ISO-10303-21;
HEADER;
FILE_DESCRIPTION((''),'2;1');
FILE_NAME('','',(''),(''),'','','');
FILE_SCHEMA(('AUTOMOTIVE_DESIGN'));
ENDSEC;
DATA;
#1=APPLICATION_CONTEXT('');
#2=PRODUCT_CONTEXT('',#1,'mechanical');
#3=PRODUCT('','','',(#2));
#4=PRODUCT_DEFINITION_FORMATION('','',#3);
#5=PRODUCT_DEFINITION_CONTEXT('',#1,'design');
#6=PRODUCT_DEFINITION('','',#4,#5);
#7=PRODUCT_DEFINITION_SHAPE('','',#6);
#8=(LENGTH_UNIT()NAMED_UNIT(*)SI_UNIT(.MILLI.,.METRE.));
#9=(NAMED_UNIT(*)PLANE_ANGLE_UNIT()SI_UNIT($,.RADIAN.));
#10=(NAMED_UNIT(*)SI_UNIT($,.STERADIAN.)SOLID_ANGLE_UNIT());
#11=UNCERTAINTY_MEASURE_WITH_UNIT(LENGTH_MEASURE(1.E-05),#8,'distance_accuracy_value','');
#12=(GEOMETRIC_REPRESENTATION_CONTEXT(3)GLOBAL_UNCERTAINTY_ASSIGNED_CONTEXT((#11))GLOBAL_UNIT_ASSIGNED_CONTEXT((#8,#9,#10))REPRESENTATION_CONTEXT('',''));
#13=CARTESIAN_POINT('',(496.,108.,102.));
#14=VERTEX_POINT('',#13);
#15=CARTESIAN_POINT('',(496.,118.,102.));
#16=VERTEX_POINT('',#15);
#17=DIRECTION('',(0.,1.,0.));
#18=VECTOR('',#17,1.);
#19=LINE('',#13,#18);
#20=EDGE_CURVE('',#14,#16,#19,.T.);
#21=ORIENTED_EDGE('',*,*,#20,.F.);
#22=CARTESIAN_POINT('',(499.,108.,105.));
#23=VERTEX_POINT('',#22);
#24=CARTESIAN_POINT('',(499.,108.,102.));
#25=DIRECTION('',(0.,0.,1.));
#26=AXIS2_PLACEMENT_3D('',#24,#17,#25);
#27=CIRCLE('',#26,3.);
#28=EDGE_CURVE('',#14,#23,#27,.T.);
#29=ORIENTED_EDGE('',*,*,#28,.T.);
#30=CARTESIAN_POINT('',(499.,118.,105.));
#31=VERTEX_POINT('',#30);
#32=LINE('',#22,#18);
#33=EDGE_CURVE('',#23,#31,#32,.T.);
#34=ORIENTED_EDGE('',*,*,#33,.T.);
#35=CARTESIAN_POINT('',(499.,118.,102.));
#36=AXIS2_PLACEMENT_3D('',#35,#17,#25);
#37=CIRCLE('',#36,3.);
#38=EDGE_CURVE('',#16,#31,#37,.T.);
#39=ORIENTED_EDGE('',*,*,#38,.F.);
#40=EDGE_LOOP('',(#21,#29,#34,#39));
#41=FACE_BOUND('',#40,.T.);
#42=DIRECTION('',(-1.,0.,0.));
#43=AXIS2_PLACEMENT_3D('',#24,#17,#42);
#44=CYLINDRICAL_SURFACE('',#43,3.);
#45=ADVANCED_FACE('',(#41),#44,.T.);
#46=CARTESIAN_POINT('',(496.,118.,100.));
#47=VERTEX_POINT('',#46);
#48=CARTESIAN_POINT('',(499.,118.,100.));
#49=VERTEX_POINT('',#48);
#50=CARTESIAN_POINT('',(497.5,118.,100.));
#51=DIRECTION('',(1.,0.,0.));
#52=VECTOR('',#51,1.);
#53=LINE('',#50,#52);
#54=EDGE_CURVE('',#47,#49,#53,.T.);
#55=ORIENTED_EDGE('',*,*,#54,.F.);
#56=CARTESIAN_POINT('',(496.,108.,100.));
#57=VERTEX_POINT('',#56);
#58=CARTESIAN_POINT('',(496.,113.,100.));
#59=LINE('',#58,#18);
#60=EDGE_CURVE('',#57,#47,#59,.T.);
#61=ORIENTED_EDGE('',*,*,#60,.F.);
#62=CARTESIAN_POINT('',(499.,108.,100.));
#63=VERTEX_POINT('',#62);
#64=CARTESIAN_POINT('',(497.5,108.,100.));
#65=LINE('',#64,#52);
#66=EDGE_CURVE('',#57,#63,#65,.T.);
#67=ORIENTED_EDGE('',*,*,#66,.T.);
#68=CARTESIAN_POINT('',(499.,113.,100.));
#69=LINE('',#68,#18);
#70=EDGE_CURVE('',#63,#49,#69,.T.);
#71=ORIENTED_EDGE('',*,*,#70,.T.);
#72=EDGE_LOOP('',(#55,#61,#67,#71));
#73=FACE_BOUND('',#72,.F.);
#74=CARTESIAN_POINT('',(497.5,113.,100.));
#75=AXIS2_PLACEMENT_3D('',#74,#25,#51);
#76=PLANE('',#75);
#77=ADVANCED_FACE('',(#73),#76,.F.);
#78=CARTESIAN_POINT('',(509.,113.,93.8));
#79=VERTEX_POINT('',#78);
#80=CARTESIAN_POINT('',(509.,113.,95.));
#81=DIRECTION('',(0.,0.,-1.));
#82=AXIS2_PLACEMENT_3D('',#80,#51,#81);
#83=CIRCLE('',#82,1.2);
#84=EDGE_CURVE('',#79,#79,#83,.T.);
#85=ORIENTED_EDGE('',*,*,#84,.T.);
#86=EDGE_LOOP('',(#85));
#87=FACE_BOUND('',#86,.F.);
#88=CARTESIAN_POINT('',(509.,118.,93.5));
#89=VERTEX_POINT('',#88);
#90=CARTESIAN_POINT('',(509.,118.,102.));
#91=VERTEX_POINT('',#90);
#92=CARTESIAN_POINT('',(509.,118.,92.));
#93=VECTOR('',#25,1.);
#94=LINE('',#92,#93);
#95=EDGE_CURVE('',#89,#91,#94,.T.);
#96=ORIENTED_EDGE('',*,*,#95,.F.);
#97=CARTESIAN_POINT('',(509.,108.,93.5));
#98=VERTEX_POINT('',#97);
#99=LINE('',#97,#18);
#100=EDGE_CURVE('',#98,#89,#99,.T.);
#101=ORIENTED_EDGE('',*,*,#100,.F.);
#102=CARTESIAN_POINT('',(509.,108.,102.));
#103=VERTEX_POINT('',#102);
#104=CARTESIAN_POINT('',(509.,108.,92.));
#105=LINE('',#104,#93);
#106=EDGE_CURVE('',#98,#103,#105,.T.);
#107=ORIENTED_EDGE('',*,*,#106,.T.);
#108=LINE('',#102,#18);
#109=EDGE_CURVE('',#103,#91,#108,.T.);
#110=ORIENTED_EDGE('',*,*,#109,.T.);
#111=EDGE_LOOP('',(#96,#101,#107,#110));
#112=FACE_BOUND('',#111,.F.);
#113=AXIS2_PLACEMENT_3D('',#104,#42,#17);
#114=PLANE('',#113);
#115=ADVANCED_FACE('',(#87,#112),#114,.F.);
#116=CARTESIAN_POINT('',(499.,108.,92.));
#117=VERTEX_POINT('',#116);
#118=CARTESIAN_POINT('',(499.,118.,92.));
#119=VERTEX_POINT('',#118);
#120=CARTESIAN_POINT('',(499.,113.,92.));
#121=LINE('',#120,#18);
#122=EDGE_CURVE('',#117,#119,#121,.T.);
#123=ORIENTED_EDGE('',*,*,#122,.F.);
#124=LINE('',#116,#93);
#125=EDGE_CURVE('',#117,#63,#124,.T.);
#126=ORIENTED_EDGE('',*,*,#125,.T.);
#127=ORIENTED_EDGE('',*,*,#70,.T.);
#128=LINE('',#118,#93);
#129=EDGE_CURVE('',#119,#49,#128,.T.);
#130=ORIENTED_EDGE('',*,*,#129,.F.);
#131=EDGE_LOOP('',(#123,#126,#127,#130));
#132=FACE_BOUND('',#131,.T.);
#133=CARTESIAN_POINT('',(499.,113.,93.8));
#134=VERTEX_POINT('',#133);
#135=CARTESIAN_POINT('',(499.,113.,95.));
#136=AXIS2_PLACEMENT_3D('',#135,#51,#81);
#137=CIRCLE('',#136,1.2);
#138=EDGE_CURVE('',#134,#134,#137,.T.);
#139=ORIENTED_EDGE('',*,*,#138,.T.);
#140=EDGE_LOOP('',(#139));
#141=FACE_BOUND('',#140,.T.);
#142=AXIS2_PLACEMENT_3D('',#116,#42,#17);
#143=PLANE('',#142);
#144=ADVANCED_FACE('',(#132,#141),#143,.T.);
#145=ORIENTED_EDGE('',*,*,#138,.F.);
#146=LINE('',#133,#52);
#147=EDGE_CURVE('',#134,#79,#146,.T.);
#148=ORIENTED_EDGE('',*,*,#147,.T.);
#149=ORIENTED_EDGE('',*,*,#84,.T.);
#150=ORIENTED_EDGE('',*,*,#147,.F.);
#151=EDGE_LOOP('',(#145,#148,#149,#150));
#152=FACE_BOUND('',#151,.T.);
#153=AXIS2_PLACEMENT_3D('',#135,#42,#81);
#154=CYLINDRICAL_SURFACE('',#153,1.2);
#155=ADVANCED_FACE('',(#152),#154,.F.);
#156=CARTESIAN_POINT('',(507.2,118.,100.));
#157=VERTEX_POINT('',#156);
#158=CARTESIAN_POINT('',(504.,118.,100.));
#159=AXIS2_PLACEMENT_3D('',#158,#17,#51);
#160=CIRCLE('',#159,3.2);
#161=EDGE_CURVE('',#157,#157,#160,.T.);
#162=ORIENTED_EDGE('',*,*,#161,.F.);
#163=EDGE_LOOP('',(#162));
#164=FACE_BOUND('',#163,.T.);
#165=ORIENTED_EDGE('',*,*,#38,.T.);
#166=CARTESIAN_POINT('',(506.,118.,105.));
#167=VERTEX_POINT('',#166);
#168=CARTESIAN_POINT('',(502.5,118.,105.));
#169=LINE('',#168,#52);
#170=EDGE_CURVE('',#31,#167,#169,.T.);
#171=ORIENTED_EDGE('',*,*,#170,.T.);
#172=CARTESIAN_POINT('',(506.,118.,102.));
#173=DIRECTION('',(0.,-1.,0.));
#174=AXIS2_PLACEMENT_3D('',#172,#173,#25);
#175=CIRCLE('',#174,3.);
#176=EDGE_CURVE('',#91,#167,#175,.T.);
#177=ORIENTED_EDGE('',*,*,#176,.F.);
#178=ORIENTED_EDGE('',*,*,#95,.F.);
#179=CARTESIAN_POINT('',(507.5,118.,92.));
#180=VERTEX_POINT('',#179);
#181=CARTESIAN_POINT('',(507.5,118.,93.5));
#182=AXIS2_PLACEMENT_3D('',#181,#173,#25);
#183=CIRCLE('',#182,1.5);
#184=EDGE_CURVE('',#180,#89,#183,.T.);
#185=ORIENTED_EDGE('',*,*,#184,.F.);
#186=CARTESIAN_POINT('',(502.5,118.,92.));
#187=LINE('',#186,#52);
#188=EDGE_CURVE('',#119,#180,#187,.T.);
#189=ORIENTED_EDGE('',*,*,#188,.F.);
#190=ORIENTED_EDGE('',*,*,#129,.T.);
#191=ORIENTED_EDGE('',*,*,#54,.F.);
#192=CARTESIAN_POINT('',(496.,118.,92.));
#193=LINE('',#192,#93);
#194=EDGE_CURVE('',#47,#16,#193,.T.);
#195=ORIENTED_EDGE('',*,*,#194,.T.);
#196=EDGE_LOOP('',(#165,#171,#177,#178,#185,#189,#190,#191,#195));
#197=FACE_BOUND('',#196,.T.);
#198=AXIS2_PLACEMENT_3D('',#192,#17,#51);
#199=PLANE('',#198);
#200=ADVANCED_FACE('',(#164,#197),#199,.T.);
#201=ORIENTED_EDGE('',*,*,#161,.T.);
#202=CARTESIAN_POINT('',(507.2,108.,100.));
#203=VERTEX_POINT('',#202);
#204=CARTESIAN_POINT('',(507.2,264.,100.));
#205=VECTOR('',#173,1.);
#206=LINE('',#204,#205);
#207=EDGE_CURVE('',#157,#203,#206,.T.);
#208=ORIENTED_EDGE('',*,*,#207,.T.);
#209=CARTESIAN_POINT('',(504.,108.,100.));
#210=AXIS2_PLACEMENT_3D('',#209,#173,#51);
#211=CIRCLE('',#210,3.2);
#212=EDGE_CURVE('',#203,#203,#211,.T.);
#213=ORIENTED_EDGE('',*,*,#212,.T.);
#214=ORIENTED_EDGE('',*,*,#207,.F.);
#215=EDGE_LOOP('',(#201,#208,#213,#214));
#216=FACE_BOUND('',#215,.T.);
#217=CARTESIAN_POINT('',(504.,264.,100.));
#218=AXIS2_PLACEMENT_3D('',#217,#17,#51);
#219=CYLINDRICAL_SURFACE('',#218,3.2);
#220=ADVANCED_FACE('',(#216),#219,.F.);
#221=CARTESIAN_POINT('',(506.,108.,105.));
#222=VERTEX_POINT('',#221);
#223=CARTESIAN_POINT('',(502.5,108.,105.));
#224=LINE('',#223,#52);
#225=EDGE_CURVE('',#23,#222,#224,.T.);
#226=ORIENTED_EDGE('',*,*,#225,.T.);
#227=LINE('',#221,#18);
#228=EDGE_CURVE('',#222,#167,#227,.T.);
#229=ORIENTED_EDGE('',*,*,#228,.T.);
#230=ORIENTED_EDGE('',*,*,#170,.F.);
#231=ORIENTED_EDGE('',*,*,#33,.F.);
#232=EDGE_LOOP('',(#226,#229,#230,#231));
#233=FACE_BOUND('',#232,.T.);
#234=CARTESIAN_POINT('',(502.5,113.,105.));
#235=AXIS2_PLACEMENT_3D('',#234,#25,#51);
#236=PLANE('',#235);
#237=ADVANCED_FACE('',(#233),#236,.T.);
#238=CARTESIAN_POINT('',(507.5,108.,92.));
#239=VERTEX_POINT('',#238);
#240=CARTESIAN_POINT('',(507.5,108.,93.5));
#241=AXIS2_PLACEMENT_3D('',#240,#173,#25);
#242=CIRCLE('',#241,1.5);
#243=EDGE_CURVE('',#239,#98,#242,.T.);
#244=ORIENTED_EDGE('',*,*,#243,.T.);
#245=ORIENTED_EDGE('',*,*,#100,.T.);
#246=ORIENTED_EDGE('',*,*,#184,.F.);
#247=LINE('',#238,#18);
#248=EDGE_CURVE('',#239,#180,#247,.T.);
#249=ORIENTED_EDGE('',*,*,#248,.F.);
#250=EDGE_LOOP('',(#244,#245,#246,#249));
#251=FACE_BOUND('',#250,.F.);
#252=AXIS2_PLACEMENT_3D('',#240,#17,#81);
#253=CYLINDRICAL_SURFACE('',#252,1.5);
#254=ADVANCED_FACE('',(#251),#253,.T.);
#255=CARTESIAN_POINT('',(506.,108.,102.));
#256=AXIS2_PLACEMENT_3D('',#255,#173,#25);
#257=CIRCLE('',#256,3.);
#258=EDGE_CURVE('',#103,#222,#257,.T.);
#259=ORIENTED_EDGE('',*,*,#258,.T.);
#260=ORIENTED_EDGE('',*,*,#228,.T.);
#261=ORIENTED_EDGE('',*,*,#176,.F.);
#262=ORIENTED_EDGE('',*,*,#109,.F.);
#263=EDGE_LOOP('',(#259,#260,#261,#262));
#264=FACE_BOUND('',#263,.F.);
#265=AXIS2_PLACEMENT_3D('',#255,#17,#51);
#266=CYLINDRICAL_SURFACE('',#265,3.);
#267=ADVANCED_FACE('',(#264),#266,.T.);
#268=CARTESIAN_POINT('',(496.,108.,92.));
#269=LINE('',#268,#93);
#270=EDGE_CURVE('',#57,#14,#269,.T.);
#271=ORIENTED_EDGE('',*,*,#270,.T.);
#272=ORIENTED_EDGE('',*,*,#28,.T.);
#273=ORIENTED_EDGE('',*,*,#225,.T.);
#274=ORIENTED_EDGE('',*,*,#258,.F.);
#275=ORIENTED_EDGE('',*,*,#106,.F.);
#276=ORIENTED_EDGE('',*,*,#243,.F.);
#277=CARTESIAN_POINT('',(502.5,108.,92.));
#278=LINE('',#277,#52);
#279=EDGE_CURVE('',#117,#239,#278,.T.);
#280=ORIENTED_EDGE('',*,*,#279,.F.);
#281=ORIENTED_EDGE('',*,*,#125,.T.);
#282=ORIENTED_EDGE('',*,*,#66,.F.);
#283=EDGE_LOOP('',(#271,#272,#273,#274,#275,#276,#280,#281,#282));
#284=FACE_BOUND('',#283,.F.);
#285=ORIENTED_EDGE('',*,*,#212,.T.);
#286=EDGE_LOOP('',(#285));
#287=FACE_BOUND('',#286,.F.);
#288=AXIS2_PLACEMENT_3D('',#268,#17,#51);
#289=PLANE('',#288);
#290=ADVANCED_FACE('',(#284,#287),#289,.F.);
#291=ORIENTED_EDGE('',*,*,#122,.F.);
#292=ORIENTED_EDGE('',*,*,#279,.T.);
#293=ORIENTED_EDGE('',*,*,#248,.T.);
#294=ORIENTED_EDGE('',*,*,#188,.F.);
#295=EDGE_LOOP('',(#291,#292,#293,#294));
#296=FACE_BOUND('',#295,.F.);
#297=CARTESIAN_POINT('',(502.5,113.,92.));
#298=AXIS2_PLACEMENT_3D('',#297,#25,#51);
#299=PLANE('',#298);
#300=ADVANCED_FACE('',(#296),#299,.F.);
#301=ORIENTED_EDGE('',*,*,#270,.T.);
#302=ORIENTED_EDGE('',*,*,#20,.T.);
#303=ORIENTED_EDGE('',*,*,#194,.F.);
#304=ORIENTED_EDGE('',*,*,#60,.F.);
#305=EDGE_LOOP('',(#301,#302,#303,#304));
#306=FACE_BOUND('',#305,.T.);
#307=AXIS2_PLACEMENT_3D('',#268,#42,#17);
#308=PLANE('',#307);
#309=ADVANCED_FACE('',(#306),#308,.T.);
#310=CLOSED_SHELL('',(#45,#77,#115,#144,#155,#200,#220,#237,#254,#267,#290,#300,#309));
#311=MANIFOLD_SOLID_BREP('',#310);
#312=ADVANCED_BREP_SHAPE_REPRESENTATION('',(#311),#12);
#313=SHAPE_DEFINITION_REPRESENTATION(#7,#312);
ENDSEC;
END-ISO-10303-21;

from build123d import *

# Parameters (mm, degrees)
CYLINDER045_R           = 3.2
CYLINDER045_DEPTH       = 156
CYLINDER045_ROLL_ANGLE  = 90
CYLINDER042_R           = 1.2
CYLINDER042_DEPTH       = 10
CYLINDER042_PITCH_ANGLE = 90
BOX028_W                = 3
BOX028_H                = 10
BOX028_DEPTH            = 8
BOX027_W                = 13
BOX027_H                = 10
BOX027_DEPTH            = 13
FILLET_R                = 3
FILLET001_R             = 1.5


with BuildPart() as cylinder045:
    # Cylinder045 → Cylinder045 (new body)
    with BuildSketch(Plane.XY):
        Circle(CYLINDER045_R)
    extrude(amount=CYLINDER045_DEPTH)


with BuildPart() as cylinder045_1:
    # Cylinder045 roll: moved
    add(cylinder045.part.rotate(Axis((0, 0, 0), (1, 0, 0)), CYLINDER045_ROLL_ANGLE))


with BuildPart() as cylinder045_2:
    # Cylinder045 placement: moved
    add(cylinder045_1.part.moved(Location((504, 118, 100))))


with BuildPart() as cylinder042:
    # Cylinder042 → Cylinder042 (new body)
    with BuildSketch(Plane.XY):
        Circle(CYLINDER042_R)
    extrude(amount=CYLINDER042_DEPTH)


with BuildPart() as cylinder042_1:
    # Cylinder042 pitch: moved
    add(cylinder042.part.rotate(Axis((0, 0, 0), (0, 1, 0)), CYLINDER042_PITCH_ANGLE))


with BuildPart() as cylinder042_2:
    # Cylinder042 placement: moved
    add(cylinder042_1.part.moved(Location((499, -33, 95))))


with BuildPart() as box028:
    # Box028 → Box028 (new body)
    with BuildSketch(Plane(origin=(499, -38, 92), x_dir=(1, 0, 0), z_dir=(0, 0, 1))):
        with Locations((1.5, 5)):
            Rectangle(BOX028_W, BOX028_H)
    extrude(amount=BOX028_DEPTH)


with BuildPart() as cut019:
    # Box027 → Box027 (new body)
    with BuildSketch(Plane(origin=(499, -38, 92), x_dir=(1, 0, 0), z_dir=(0, 0, 1))):
        with Locations((6.5, 5)):
            Rectangle(BOX027_W, BOX027_H)
    extrude(amount=BOX027_DEPTH)

    # Fillet
    fillet_edges = [cut019.edges().sort_by_distance(p)[0] for p in [
        (499, -33, 105),
        (512, -33, 105),
    ]]
    fillet(fillet_edges, radius=FILLET_R)

    # Fillet001
    fillet001_edges = [cut019.edges().sort_by_distance(p)[0] for p in [
        (512, -33, 92),
    ]]
    fillet(fillet001_edges, radius=FILLET001_R)

    # Cut016: cut Box028
    add(box028.part, mode=Mode.SUBTRACT)


with BuildPart() as cut019_1:
    # Cut016 placement: moved
    add(cut019.part.moved(Location((-3, 0, 0))))

    # Cut020: cut Cylinder042
    add(cylinder042_2.part, mode=Mode.SUBTRACT)

    # Cut019: cut Cylinder045
    add(cylinder045_2.part, mode=Mode.SUBTRACT)


with BuildPart() as cut019_2:
    # Cut019 placement: moved
    add(cut019_1.part.moved(Location((0, 146, 0))))


solid = cut019_2.part
